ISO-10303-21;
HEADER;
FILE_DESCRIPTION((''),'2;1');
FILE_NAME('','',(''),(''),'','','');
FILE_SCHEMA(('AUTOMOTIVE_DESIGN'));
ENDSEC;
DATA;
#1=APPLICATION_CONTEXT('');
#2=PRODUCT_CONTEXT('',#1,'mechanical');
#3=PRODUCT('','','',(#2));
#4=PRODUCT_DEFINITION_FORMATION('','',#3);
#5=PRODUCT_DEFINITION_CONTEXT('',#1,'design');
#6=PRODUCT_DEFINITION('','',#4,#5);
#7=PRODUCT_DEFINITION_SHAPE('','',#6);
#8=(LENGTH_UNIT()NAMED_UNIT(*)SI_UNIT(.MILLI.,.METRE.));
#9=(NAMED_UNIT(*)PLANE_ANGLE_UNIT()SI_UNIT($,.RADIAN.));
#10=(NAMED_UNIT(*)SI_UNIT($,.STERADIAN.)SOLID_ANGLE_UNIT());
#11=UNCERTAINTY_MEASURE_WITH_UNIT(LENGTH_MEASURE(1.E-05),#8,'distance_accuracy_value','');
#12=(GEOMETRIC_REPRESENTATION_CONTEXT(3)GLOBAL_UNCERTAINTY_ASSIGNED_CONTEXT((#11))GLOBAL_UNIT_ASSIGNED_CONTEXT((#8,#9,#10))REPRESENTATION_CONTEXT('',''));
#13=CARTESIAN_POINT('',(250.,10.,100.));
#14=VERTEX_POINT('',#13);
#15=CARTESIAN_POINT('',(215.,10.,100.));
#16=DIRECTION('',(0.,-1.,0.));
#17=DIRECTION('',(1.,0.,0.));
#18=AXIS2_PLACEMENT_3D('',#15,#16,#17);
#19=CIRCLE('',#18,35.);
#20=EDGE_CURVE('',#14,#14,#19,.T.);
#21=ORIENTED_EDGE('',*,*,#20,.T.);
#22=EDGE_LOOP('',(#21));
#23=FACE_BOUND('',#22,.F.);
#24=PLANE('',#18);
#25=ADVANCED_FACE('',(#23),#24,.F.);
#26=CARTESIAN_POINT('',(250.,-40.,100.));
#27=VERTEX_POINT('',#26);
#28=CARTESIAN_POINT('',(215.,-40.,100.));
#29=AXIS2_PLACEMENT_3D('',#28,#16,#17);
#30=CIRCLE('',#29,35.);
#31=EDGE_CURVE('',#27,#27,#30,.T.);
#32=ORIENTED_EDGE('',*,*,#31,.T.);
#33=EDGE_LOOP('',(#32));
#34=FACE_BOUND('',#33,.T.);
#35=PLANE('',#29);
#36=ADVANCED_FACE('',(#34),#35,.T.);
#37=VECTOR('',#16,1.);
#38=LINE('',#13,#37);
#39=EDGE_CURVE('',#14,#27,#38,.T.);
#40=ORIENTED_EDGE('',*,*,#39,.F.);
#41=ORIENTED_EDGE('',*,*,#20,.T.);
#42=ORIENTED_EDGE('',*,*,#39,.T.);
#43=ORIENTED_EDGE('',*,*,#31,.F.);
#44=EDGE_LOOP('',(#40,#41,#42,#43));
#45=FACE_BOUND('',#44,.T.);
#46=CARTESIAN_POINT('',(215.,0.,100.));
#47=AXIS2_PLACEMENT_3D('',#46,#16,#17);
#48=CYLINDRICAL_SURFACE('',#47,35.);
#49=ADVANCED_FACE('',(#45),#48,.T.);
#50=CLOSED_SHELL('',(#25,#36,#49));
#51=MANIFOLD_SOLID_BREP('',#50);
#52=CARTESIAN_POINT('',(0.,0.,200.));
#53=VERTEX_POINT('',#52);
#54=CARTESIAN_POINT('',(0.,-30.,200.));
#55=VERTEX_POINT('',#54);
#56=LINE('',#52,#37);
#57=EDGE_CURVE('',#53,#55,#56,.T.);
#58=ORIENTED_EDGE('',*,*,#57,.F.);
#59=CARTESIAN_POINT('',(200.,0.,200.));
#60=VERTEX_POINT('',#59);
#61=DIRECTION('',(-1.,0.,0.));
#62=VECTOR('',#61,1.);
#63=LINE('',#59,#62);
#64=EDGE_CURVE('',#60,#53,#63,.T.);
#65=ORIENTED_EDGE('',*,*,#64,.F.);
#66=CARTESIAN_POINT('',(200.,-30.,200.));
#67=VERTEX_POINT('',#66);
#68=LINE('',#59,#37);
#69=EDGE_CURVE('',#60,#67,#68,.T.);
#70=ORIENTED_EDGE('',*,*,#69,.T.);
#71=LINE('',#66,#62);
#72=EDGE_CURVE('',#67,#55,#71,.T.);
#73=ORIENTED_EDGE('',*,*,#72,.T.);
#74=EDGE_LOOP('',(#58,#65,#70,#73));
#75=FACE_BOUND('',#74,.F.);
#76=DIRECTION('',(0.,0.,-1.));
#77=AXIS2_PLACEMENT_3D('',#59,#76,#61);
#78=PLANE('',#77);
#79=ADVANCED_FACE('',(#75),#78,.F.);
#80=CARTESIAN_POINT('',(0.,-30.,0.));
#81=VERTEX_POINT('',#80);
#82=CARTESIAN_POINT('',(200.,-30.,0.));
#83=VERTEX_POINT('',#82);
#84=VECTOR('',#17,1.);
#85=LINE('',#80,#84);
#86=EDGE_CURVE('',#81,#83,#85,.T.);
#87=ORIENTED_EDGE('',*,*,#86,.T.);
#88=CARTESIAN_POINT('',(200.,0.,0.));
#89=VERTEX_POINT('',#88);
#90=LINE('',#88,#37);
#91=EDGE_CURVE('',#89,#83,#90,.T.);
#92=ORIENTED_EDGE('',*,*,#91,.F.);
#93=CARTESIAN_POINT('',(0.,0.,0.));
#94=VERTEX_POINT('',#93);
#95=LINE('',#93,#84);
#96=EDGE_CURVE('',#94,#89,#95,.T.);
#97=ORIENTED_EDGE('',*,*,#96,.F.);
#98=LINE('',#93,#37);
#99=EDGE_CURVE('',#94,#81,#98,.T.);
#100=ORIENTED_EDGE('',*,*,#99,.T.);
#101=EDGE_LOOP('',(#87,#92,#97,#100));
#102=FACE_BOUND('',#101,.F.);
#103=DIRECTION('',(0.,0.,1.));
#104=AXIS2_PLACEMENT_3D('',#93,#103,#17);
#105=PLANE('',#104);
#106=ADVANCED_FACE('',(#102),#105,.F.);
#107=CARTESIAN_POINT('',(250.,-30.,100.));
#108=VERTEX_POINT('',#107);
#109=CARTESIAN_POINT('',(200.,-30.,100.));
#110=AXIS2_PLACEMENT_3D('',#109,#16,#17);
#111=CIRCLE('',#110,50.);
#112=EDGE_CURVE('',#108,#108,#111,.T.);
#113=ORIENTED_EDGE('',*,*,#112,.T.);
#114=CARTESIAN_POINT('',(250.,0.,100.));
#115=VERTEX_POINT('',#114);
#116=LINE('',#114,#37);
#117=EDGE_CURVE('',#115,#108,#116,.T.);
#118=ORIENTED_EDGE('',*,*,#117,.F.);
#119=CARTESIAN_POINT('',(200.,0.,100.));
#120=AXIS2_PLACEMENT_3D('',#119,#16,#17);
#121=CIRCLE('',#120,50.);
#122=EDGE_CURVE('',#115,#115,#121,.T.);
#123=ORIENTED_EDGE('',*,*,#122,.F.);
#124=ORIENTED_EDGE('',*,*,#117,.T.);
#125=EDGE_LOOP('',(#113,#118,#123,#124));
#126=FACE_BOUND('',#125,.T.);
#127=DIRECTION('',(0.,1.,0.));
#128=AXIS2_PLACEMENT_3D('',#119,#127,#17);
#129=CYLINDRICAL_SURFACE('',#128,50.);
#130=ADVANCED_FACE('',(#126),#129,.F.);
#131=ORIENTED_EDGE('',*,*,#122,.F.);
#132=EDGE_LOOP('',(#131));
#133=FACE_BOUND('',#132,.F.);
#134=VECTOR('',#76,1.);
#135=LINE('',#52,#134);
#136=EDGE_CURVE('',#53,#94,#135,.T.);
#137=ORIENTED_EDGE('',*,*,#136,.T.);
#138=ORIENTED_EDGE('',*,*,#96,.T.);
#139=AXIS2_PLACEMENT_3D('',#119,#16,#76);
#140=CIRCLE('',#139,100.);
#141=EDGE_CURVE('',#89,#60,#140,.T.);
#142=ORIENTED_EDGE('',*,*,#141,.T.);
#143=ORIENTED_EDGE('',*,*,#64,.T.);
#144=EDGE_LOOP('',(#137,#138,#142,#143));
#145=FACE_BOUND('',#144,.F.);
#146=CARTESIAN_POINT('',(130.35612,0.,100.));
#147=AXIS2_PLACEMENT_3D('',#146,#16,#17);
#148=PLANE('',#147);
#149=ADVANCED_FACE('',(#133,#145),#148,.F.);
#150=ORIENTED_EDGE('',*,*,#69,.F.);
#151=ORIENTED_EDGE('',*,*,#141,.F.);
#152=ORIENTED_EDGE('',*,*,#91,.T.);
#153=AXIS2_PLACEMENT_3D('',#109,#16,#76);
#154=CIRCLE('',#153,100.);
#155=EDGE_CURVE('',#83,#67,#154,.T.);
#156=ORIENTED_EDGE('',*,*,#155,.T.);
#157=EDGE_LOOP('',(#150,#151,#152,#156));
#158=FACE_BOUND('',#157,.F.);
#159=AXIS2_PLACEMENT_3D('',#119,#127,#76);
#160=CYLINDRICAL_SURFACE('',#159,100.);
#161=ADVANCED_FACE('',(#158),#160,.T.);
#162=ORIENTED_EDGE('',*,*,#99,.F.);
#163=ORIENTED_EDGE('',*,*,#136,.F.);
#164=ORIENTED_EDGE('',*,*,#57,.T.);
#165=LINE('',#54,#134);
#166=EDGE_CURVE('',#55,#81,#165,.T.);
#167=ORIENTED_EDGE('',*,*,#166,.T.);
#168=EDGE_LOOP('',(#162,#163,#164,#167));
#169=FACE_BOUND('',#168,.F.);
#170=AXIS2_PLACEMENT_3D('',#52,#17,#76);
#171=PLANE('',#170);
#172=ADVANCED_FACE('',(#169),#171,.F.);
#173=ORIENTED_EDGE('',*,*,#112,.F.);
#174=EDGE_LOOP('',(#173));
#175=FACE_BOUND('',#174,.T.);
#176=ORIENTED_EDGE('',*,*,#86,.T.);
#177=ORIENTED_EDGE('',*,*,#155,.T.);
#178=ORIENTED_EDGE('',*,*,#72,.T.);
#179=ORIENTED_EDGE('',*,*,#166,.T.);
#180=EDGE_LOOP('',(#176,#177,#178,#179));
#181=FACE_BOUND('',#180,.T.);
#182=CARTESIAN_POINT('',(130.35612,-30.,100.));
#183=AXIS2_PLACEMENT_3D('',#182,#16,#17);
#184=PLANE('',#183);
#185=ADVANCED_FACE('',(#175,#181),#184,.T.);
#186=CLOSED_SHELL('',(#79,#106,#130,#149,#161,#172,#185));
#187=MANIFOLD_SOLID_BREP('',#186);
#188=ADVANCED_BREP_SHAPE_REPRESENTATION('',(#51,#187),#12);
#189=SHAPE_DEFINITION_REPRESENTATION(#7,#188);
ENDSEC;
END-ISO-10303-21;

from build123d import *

# Parameters (mm, degrees)
F0_R          = 50
F1_DEPTH      = 30
F0_R_2        = 35
F2_DEPTH      = 40
F2_DEPTH_BACK = 10


with BuildPart() as f1:
    # F0 (on Front) → F1 (new body)
    with BuildSketch(Plane.XZ):
        with BuildLine():
            Line((0, 200), (0, 0))
            Line((0, 0), (200, 0))
            ThreePointArc((200, 0), (300, 100), (200, 200))
            Line((200, 200), (0, 200))
        make_face()
        with Locations((200, 100)):
            Circle(F0_R, mode=Mode.SUBTRACT)
    extrude(amount=F1_DEPTH)


with BuildPart() as f2:
    # F0 (on Front) → F2 (new body, two sides)
    with BuildSketch(Plane.XZ) as f2_sk:
        with Locations((215, 100)):
            Circle(F0_R_2)
    extrude(amount=F2_DEPTH)
    extrude(f2_sk.sketch, amount=-F2_DEPTH_BACK)


solid = Compound([f1.part, f2.part])
